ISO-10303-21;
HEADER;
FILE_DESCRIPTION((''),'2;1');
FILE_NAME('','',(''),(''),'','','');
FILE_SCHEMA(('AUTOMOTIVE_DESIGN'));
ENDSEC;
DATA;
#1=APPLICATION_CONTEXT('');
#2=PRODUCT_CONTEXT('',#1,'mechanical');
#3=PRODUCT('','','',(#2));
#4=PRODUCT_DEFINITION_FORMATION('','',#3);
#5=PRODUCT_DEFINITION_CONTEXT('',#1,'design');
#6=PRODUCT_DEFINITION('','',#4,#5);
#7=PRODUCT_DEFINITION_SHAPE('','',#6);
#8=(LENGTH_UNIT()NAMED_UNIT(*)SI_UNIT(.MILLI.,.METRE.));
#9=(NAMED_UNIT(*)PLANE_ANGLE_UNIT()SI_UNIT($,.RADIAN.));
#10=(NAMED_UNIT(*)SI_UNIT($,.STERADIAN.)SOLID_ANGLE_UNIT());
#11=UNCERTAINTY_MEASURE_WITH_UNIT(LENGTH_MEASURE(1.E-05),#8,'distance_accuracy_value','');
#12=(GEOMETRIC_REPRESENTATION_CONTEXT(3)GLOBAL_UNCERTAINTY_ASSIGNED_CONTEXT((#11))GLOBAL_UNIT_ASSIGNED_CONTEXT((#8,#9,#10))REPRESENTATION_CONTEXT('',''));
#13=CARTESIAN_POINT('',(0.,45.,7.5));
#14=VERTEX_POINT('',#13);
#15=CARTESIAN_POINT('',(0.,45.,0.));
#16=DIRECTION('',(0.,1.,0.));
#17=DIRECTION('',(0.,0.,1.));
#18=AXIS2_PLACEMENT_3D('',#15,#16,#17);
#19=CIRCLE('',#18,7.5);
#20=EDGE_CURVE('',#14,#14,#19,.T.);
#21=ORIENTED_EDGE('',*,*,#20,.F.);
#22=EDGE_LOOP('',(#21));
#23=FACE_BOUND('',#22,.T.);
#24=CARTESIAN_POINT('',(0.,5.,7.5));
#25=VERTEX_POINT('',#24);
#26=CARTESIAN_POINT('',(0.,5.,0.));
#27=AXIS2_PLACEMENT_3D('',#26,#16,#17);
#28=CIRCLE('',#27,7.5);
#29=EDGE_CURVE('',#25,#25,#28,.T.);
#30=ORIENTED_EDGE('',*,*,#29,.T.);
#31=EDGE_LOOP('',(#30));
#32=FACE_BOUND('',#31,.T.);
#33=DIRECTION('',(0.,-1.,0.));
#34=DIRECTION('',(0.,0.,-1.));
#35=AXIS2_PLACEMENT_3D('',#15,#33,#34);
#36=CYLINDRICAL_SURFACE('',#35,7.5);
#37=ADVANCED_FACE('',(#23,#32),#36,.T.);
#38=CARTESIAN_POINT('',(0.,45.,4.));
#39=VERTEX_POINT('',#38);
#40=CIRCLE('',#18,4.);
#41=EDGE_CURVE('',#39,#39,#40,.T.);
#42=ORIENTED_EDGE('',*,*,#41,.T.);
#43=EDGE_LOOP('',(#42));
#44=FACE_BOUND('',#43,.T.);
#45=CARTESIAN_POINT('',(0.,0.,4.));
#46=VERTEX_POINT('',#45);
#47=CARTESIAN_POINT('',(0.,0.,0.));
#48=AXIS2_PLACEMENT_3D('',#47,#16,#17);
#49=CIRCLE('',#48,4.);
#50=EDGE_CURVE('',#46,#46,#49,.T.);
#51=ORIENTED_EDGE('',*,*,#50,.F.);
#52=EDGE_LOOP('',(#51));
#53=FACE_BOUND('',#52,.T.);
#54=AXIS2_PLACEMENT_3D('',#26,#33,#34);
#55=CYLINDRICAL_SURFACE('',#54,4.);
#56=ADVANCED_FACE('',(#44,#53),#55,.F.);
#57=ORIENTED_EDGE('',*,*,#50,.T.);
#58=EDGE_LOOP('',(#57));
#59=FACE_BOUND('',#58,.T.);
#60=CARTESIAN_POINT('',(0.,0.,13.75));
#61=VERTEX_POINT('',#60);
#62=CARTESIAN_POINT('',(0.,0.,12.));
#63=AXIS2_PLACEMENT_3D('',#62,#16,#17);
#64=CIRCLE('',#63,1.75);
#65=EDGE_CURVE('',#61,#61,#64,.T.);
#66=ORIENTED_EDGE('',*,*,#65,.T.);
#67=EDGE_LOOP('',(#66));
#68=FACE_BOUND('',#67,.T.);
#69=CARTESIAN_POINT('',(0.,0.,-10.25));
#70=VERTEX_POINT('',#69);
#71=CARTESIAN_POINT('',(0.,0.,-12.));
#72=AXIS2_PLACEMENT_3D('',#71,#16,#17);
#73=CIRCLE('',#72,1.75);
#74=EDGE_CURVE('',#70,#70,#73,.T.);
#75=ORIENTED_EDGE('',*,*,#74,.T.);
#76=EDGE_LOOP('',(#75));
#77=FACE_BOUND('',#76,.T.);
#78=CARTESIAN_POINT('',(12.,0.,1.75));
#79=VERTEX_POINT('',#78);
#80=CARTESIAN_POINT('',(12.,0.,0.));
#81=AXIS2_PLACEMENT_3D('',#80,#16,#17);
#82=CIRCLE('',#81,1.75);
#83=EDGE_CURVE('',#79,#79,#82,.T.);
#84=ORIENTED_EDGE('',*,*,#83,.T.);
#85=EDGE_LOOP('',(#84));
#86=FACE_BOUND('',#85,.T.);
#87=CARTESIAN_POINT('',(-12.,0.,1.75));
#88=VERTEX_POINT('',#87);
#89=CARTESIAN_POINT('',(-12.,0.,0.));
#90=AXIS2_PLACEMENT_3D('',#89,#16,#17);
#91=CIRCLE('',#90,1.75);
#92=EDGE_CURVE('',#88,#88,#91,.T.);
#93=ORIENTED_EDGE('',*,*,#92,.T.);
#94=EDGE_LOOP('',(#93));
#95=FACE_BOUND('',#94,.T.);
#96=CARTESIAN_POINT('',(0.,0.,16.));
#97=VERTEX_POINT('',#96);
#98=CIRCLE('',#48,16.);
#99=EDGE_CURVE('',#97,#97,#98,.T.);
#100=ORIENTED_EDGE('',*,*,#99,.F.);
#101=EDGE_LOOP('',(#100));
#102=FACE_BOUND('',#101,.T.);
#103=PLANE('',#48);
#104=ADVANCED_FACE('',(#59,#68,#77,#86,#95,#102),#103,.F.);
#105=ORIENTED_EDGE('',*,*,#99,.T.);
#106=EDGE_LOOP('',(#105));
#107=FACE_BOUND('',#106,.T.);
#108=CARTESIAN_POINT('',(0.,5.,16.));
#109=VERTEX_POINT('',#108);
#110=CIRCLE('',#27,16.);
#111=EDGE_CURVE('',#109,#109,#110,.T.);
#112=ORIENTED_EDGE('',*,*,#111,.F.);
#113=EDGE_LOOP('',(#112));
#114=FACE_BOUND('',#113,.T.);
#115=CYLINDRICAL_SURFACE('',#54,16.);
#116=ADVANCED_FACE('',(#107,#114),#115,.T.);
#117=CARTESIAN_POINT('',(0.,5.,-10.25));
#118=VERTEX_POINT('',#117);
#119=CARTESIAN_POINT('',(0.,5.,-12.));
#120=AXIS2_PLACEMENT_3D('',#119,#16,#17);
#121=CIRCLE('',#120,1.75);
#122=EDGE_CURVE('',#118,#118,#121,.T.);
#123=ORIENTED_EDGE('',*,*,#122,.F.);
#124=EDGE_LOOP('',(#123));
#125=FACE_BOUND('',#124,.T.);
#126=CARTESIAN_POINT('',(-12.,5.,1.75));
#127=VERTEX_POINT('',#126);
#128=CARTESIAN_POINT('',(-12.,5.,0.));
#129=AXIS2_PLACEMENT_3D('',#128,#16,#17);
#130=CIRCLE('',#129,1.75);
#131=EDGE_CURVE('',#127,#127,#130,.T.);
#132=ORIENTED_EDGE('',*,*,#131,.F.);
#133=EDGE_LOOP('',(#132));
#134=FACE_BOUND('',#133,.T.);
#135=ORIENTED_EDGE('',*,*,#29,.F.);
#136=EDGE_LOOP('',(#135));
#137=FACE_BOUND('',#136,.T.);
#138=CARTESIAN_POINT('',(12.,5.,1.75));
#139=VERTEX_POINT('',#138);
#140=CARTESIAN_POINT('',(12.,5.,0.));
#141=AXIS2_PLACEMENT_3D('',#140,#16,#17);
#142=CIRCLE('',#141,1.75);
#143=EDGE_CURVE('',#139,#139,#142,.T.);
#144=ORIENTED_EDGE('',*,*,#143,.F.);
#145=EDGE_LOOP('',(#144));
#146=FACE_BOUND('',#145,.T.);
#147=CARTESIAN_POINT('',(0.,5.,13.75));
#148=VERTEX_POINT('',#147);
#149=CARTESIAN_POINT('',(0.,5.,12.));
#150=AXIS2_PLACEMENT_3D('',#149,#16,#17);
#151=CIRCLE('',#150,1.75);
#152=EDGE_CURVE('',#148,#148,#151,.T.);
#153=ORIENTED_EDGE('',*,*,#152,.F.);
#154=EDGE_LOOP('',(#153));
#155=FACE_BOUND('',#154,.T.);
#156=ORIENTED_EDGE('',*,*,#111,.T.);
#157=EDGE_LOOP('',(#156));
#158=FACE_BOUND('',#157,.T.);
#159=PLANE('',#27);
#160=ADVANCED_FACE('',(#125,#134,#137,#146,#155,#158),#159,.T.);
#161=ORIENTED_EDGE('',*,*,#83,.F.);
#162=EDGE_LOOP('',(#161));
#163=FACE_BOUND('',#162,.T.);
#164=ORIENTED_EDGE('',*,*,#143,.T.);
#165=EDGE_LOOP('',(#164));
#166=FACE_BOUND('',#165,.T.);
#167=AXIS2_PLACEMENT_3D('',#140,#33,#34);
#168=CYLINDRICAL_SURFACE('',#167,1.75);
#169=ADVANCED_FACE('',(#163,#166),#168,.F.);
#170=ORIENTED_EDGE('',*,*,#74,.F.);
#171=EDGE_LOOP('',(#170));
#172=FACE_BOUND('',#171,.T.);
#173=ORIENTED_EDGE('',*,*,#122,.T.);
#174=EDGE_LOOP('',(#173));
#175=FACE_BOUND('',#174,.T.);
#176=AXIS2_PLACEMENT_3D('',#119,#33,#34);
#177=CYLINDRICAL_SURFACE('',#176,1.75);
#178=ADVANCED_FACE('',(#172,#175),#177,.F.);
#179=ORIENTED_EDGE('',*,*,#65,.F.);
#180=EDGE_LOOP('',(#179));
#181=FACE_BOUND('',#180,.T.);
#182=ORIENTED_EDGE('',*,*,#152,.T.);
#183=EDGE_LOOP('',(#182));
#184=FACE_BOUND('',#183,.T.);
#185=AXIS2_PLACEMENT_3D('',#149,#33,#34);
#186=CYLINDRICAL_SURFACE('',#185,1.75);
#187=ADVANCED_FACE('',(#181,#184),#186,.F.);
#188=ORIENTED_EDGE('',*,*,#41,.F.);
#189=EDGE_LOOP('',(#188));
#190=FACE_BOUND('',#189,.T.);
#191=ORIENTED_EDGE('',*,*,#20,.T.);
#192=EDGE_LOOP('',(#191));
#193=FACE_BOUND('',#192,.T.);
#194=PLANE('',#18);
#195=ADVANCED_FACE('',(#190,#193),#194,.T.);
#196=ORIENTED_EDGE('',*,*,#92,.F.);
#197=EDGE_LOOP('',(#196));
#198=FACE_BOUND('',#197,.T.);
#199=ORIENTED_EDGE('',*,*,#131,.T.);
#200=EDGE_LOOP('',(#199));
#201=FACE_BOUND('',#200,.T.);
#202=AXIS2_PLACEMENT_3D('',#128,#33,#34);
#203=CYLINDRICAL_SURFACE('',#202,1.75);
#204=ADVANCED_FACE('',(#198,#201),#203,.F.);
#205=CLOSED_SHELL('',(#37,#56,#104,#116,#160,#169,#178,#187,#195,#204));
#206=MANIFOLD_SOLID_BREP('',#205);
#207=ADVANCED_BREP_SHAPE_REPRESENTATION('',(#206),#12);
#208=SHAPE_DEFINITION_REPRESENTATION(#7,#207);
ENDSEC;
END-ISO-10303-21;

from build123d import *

# Parameters (mm, degrees)
SKETCH_1_R      = 16
SKETCH_1_R_2    = 4
SKETCH_1_R_3    = 1.75
EXTRUDE_1_DEPTH = 5
SKETCH_2_R      = 7.5
SKETCH_2_R_2    = 4
EXTRUDE_2_DEPTH = 40


with BuildPart() as part:
    # 草图1 → 凸台-拉伸1 (new body)
    with BuildSketch(Plane(origin=(0, 0, 0), x_dir=(1, 0, 0), z_dir=(0, 1, 0))):
        with Locations(Location((0, 0, 0), (0, 0, 270))):
            Circle(SKETCH_1_R)
        with Locations(Location((0, 0, 0), (0, 0, 270))):
            Circle(SKETCH_1_R_2, mode=Mode.SUBTRACT)
        with Locations(Location((0, 12, 0), (0, 0, 270))):
            Circle(SKETCH_1_R_3, mode=Mode.SUBTRACT)
        with Locations(Location((-12, 0, 0), (0, 0, 270))):
            Circle(SKETCH_1_R_3, mode=Mode.SUBTRACT)
        with Locations(Location((12, 0, 0), (0, 0, 270))):
            Circle(SKETCH_1_R_3, mode=Mode.SUBTRACT)
        with Locations(Location((0, -12, 0), (0, 0, 270))):
            Circle(SKETCH_1_R_3, mode=Mode.SUBTRACT)
    extrude(amount=EXTRUDE_1_DEPTH)

    # 草图2 → 凸台-拉伸2 (add)
    with BuildSketch(Plane(origin=(0, 5, 0), x_dir=(1, 0, 0), z_dir=(0, 1, 0))):
        with Locations(Location((0, 0, 0), (0, 0, 270))):
            Circle(SKETCH_2_R)
        with Locations(Location((0, 0, 0), (0, 0, 270))):
            Circle(SKETCH_2_R_2, mode=Mode.SUBTRACT)
    extrude(amount=EXTRUDE_2_DEPTH)


solid = part.part
